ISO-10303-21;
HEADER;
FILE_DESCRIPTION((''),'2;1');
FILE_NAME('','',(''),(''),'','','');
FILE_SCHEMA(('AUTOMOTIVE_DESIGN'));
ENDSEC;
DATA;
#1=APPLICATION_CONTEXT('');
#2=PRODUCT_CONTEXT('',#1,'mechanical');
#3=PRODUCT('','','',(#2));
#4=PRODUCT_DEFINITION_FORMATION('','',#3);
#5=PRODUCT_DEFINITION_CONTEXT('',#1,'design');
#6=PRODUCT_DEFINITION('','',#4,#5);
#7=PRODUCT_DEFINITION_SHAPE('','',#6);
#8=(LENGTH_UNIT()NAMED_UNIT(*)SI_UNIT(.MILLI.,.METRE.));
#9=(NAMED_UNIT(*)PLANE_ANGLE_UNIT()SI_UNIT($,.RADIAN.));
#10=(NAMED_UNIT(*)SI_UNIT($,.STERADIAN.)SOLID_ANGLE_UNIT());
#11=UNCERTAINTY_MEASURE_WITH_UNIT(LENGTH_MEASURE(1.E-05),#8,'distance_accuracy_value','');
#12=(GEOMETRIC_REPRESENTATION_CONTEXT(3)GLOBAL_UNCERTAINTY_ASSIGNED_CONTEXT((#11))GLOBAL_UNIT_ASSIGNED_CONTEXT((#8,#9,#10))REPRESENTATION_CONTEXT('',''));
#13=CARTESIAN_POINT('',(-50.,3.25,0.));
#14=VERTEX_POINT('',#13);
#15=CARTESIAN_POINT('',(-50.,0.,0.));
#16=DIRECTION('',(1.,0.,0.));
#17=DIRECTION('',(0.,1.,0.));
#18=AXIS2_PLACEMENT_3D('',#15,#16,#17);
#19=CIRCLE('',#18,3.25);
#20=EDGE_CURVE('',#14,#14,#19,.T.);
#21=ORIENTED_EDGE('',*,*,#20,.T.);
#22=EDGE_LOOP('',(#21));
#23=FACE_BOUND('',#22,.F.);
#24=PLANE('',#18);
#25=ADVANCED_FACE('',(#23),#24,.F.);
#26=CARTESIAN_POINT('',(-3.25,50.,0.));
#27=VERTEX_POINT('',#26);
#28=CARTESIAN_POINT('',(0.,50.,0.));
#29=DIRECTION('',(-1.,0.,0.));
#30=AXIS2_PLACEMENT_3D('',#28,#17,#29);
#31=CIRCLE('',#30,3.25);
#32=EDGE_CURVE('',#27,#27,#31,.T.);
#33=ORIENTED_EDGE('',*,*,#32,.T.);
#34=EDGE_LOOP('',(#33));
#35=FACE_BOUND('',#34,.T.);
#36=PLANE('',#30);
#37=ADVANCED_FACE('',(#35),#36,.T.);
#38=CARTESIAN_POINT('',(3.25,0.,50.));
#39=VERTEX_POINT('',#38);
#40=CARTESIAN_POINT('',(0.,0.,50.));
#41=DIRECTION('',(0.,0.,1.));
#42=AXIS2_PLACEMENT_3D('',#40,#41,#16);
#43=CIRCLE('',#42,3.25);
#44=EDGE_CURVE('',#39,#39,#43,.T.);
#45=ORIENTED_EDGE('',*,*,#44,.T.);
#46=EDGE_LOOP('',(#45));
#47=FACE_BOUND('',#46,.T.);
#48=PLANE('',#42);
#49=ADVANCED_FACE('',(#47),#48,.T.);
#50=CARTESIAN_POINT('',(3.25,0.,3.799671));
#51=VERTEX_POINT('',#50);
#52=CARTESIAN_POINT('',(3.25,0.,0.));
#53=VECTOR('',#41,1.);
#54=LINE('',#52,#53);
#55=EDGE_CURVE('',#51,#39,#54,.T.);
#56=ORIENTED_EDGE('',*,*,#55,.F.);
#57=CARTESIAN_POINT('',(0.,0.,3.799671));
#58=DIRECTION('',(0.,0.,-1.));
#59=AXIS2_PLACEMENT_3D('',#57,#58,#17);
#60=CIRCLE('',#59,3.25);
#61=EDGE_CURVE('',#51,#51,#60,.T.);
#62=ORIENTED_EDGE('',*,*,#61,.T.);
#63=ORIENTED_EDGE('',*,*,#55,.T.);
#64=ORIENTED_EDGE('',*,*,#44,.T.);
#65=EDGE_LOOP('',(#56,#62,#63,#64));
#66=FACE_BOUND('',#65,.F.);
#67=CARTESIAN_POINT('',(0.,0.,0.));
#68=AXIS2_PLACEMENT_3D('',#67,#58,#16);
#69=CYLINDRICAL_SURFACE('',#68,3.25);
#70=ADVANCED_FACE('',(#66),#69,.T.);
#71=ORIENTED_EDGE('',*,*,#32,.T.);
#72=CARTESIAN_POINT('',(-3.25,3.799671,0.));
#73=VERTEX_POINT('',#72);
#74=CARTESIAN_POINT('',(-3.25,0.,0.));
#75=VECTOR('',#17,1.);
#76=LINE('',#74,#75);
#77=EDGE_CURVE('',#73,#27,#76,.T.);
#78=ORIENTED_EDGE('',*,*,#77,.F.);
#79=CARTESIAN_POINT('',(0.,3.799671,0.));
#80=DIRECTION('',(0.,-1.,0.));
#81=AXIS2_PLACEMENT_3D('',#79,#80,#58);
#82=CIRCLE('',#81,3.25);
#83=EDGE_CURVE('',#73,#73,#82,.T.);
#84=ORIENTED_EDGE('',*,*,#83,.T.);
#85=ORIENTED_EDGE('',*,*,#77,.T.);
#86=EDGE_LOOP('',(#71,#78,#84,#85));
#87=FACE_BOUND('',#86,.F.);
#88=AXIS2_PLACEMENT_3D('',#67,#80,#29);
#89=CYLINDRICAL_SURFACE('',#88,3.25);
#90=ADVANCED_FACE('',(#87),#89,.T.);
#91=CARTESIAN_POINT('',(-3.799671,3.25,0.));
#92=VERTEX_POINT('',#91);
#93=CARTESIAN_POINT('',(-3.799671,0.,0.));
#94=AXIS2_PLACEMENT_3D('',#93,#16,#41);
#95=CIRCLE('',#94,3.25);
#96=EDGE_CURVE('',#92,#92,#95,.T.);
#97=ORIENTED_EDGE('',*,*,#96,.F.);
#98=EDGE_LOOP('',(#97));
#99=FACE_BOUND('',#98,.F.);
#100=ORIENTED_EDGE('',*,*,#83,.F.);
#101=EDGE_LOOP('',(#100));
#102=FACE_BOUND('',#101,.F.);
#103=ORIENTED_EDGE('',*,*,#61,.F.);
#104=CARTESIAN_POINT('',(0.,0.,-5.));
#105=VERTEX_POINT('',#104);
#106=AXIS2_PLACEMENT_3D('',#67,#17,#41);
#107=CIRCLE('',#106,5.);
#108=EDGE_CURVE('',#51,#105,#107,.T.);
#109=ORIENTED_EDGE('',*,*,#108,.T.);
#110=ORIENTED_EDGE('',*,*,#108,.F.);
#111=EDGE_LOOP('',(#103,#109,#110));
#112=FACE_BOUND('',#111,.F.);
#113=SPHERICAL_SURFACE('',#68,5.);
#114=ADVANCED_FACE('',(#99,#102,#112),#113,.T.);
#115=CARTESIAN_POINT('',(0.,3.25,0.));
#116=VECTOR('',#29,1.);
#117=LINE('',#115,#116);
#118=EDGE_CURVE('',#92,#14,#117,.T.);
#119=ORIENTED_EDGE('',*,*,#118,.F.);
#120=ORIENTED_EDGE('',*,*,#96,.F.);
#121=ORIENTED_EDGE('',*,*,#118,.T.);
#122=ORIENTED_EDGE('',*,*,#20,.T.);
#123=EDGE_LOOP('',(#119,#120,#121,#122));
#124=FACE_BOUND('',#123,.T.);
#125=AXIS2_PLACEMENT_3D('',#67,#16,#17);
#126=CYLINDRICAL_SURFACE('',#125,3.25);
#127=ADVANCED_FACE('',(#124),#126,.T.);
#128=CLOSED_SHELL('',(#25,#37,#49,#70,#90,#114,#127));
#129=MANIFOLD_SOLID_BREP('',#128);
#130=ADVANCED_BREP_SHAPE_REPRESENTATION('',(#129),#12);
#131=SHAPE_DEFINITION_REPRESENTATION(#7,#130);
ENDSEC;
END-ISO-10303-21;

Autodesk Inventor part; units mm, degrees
ref_plane "YZ Plane" through (0, 0, 0) normal (1, 0, 0) x (0, 1, 0)
ref_plane "XZ Plane" through (0, 0, 0) normal (0, 1, 0) x (-1, 0, 0)
ref_plane "XY Plane" through (0, 0, 0) normal (0, 0, 1) x (1, 0, 0)
sketch "스케치1" plane through (0, 0, 0) normal (0, 1, 0) x (-1, 0, 0)
  circle A0 centre (0, 0) radius 3.25
  dimension "d0" = 6.5
extrude "돌출1" add sketch "스케치1" along normal blind 50
sketch "스케치2" plane through (0, 0, 0) normal (0, 1, 0) x (-1, 0, 0)
  arc A0 (0, 5) -> (0, -5) centre (0, 0) ccw
  line L0 (0, 5) -> (0, -5)
  line L1 (0, -5.6) -> (0, 5.6) projected
  dimension "d3" = 10
revolve "회전1" add sketch "스케치2" angle 360 about axis through (0, 0, -10) along (0, 0, 1)
sketch "스케치3" plane through (0, 0, 0) normal (0, 0, 1) x (1, 0, 0)
  circle A0 centre (0, 0) radius 3.25
  dimension "d5" = 6.5
extrude "돌출2" add sketch "스케치3" along normal blind 50
sketch "스케치4" plane through (0, 0, 0) normal (1, 0, 0) x (0, 1, 0)
  circle A0 centre (0, 0) radius 3.25
  dimension "d8" = 6.5
extrude "돌출3" add sketch "스케치4" against normal blind 50
properties part number "arrows"
